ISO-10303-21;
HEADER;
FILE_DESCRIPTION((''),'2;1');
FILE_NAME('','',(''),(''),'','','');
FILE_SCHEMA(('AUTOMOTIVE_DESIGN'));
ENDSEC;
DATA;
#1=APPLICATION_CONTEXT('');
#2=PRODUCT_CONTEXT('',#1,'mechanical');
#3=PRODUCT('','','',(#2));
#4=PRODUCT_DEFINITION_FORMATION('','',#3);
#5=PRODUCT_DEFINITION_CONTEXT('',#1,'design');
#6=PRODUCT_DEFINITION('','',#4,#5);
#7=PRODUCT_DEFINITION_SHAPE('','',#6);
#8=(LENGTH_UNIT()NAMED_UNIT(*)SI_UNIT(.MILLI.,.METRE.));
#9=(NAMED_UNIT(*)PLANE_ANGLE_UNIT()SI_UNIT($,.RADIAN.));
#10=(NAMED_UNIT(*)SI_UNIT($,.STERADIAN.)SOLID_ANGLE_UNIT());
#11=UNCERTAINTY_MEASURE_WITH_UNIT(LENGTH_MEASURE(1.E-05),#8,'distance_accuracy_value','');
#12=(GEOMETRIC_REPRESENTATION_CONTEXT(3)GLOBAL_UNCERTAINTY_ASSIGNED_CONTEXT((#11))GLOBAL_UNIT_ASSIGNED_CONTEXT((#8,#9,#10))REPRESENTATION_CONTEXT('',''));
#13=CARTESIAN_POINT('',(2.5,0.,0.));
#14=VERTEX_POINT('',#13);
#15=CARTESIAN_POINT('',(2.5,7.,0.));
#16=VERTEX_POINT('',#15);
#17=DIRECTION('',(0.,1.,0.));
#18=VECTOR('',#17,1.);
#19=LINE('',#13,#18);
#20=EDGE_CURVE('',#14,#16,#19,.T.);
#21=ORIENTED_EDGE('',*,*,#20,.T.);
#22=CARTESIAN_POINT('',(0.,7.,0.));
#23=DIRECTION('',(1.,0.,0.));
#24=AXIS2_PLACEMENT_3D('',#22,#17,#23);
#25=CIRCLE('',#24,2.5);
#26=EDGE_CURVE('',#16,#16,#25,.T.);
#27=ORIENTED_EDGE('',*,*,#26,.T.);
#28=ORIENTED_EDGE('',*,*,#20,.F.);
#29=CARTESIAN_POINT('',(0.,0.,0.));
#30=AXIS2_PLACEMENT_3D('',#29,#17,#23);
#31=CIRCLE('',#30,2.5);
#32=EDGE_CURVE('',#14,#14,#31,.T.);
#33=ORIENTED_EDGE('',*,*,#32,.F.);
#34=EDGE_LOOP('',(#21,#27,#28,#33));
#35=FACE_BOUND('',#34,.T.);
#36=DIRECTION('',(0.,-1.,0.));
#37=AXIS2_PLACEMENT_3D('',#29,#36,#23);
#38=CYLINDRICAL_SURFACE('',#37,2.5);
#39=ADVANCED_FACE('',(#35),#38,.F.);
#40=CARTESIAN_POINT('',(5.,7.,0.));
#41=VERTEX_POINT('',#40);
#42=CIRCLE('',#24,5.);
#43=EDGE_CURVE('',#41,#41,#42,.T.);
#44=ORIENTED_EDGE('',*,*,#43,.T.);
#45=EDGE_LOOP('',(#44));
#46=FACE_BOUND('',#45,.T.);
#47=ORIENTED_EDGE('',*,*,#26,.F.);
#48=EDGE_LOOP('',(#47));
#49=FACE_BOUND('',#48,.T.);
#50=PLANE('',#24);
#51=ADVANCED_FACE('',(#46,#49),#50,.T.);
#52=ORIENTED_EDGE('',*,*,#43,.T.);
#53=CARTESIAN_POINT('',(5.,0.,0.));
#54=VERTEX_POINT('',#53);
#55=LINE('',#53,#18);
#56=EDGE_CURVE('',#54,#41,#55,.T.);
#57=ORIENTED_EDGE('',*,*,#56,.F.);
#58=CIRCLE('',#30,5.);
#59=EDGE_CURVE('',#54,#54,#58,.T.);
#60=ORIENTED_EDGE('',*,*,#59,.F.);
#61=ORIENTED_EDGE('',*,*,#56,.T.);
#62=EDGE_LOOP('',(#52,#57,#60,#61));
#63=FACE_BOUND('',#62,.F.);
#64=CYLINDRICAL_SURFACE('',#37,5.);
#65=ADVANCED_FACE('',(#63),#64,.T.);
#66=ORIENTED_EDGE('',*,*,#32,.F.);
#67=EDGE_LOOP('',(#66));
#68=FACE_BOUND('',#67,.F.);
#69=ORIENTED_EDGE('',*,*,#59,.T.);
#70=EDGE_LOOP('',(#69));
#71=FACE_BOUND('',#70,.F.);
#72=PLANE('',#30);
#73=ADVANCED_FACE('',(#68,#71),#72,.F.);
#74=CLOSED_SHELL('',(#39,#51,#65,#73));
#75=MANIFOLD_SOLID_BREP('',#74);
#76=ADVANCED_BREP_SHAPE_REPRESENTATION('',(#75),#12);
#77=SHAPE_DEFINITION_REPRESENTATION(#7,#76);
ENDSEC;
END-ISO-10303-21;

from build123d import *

# Parameters (mm, degrees)
SKETCH_1_R      = 5
SKETCH_1_R_2    = 2.5
EXTRUDE_1_DEPTH = 7


with BuildPart() as part:
    # Эскиз1 → Бобышка-Вытянуть1 (new body)
    with BuildSketch(Plane(origin=(0, 0, 0), x_dir=(1, 0, 0), z_dir=(0, 1, 0))):
        Circle(SKETCH_1_R)
        Circle(SKETCH_1_R_2, mode=Mode.SUBTRACT)
    extrude(amount=EXTRUDE_1_DEPTH)


solid = part.part
